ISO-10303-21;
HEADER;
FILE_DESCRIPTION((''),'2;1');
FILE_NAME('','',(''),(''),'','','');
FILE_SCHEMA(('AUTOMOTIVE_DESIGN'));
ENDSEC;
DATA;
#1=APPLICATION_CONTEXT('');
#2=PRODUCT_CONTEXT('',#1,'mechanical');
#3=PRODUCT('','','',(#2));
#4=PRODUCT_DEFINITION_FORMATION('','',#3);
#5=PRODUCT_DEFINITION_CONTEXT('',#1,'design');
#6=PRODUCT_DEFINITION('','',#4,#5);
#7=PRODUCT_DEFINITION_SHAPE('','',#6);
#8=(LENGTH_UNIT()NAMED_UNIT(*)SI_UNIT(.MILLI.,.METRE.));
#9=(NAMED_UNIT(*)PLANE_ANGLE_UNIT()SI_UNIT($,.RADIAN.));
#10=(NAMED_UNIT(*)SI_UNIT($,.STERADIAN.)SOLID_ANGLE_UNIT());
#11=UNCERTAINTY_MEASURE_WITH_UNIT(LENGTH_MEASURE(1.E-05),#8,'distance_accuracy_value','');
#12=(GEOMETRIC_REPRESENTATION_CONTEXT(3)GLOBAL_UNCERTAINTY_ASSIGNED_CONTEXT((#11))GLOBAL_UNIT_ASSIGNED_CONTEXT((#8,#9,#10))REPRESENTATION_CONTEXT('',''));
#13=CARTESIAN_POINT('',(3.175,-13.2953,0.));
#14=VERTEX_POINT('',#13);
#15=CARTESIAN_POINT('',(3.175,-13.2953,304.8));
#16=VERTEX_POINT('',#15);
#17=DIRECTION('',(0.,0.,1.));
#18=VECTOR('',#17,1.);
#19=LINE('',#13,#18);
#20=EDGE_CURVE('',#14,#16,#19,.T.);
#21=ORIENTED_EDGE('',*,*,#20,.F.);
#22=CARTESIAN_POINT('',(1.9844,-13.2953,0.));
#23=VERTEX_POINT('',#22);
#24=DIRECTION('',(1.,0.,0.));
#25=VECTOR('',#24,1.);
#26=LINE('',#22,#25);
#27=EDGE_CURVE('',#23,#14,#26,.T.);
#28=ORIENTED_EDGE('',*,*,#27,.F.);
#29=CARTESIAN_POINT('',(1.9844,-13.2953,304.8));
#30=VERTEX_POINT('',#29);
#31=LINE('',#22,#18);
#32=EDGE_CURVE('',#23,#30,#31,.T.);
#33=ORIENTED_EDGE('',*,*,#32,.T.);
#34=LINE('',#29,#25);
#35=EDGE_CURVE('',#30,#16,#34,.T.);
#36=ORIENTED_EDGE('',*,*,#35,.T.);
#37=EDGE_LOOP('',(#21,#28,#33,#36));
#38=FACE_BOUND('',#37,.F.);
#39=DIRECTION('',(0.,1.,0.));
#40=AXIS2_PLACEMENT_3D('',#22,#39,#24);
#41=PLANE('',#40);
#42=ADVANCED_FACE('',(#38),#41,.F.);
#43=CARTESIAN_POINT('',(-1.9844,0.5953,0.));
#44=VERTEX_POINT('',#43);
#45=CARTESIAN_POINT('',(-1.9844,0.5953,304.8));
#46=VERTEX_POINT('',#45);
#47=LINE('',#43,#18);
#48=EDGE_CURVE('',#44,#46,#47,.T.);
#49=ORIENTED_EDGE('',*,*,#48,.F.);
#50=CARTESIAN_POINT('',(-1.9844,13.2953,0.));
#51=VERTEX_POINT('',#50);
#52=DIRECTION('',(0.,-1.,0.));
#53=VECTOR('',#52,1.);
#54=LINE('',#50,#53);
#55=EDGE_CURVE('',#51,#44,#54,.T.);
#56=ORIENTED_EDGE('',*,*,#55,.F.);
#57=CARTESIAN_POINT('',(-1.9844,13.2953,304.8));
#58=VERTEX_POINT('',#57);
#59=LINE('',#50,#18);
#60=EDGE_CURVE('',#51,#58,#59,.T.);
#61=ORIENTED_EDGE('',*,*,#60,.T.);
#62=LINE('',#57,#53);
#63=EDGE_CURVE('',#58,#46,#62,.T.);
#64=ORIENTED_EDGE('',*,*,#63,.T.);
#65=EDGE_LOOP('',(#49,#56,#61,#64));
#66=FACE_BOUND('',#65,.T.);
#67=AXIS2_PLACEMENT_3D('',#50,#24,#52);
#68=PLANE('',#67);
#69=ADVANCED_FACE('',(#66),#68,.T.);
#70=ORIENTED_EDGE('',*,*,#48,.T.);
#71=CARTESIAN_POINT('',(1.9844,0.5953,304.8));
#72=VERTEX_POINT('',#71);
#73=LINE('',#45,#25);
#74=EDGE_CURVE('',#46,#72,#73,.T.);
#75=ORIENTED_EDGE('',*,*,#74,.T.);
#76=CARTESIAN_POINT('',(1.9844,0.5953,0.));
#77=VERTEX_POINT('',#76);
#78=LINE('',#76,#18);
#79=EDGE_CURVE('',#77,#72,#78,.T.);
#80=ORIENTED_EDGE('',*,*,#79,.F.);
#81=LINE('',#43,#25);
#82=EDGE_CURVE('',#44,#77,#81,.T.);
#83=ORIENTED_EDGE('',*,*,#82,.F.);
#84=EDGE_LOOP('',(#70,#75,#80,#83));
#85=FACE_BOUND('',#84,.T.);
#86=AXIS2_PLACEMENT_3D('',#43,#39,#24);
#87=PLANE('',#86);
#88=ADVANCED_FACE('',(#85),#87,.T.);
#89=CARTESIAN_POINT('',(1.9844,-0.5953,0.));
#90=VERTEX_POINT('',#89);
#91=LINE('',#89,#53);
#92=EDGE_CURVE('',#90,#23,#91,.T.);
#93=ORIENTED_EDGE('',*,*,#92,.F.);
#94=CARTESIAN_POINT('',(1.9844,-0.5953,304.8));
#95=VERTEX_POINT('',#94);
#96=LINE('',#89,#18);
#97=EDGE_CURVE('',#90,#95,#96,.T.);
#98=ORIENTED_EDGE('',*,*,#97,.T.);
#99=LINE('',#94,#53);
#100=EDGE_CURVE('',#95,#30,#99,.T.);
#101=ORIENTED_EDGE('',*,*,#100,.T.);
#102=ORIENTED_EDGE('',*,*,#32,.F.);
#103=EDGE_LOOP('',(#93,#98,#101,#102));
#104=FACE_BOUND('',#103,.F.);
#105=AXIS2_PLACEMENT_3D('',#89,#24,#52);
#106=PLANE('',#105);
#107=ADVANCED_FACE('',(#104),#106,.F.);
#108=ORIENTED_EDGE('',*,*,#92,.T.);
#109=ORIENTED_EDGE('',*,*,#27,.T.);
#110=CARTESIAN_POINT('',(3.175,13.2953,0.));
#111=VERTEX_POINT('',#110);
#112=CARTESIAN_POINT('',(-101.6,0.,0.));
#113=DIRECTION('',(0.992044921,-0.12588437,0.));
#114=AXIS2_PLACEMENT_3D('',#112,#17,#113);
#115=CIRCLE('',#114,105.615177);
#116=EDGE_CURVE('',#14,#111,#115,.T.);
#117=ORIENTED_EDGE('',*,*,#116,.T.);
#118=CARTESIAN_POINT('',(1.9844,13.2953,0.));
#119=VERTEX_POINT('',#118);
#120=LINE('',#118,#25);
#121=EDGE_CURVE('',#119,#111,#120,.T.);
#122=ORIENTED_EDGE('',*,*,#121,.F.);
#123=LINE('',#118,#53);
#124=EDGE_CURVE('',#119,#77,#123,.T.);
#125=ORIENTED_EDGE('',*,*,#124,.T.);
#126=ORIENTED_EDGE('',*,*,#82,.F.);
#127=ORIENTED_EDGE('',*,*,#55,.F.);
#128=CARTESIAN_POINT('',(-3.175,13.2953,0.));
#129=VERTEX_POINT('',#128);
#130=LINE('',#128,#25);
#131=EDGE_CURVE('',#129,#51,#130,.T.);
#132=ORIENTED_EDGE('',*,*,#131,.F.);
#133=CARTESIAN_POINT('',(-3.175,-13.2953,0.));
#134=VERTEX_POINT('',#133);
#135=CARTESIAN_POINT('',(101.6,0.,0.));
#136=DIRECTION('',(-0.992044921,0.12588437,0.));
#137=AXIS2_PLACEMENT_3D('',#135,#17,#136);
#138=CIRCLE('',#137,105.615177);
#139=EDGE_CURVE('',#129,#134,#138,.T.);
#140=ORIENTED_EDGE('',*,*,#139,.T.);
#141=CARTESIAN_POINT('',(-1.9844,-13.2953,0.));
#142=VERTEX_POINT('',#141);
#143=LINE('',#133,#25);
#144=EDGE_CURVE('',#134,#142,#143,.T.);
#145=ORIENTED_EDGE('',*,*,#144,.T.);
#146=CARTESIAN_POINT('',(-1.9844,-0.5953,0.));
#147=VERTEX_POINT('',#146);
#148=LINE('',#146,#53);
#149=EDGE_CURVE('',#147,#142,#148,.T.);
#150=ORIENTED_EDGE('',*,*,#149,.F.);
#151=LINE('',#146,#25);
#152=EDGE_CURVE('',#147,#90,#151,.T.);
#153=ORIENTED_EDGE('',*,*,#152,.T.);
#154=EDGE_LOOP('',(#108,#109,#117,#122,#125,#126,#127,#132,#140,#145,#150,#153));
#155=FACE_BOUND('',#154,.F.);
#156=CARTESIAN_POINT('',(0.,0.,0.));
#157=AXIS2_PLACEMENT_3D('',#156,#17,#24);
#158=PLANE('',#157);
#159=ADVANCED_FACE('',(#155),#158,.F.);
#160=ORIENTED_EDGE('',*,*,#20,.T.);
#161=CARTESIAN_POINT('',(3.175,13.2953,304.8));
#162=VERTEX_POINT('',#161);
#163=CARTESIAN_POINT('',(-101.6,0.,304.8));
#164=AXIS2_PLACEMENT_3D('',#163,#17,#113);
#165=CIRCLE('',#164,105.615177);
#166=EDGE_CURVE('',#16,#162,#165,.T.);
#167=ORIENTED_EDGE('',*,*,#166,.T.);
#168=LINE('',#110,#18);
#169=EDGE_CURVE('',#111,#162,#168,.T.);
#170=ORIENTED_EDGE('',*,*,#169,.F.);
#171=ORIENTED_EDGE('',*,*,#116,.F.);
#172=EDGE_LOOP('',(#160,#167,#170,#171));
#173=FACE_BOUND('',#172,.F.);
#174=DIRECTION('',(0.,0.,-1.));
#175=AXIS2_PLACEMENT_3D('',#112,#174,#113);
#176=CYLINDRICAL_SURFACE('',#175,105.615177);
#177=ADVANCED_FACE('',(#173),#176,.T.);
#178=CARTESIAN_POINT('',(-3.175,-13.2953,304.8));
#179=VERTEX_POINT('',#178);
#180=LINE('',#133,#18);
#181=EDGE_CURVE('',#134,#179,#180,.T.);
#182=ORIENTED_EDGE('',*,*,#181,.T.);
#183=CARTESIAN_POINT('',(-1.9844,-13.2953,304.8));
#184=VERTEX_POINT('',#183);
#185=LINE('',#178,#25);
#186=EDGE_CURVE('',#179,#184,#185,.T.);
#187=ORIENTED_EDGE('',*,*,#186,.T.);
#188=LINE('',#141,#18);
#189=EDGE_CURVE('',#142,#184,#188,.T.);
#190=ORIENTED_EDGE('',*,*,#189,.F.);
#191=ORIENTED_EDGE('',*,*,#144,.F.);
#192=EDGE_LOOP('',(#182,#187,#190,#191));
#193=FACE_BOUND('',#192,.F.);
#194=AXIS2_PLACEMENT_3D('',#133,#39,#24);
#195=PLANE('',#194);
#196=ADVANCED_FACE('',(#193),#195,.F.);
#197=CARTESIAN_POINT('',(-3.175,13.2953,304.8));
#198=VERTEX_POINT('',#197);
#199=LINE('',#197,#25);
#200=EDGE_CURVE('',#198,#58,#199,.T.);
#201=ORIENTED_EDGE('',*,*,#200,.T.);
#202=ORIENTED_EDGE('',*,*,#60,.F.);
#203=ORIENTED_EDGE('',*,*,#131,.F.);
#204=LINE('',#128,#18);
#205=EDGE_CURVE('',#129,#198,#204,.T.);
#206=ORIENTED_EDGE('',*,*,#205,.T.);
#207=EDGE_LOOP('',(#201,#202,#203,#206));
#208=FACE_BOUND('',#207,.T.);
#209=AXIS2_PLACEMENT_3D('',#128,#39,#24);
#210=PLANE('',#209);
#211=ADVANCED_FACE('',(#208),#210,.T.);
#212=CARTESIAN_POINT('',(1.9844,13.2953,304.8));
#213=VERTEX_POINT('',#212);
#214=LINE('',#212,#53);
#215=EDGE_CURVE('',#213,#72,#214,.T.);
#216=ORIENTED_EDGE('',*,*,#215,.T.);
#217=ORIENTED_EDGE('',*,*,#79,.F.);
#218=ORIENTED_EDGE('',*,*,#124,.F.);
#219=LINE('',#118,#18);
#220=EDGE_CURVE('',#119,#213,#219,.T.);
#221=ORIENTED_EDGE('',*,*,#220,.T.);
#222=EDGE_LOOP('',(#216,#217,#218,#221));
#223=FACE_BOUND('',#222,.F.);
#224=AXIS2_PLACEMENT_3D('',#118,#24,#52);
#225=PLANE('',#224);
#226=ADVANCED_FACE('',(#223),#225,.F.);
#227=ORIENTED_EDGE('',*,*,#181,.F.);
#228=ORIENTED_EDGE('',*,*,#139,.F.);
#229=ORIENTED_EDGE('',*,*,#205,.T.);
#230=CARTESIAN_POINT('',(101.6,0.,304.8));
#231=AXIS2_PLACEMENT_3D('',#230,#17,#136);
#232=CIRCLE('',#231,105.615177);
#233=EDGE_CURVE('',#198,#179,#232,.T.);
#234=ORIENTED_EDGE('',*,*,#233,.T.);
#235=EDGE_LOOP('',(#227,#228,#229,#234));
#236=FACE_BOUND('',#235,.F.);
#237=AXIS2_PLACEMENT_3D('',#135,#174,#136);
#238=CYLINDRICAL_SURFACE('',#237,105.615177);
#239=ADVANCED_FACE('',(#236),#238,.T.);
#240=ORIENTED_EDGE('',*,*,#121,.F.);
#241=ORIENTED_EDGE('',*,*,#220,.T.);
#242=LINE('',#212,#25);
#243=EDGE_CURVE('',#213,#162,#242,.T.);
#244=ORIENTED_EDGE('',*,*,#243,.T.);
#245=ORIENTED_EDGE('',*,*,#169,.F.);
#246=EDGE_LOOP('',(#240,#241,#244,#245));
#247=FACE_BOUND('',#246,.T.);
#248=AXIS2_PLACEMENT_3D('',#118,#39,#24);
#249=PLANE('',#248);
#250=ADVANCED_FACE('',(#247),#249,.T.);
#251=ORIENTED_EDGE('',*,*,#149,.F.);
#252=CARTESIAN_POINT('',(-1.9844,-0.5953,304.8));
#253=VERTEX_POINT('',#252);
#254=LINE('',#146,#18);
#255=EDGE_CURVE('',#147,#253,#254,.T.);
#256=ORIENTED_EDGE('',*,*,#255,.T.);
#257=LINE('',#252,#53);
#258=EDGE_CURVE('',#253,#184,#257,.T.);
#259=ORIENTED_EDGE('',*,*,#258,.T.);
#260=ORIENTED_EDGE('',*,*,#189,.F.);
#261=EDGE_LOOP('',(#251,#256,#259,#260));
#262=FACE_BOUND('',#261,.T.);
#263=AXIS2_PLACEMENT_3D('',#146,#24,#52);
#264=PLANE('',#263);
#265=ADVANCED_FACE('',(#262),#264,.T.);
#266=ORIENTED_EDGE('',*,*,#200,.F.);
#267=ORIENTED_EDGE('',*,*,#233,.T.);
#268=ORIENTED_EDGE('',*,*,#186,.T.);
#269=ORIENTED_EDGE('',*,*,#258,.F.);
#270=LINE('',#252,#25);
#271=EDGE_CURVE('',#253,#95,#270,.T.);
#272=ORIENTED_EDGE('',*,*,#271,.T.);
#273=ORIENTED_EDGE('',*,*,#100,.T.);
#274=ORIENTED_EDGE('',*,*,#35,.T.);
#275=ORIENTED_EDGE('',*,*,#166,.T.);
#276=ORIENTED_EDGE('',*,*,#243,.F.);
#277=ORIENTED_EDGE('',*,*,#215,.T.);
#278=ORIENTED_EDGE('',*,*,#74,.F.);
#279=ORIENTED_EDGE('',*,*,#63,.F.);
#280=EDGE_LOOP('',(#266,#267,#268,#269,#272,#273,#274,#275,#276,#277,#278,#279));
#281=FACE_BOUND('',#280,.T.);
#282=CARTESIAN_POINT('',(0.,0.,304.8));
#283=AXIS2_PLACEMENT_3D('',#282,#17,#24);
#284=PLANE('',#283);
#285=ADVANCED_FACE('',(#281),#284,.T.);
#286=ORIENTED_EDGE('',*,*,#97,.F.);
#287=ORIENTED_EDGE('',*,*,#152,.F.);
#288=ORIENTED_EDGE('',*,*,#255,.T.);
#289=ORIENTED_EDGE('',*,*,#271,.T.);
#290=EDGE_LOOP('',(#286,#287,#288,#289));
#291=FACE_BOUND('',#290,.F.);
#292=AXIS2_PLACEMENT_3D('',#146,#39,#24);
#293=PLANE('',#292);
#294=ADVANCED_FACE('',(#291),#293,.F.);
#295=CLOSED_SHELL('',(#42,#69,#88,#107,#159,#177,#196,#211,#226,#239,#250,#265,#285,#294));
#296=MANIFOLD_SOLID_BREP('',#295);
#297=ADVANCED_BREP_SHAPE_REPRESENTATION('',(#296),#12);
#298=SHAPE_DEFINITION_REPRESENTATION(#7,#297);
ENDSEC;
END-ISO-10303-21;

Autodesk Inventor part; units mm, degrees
ref_plane "YZ Plane" through (0, 0, 0) normal (1, 0, 0) x (0, 1, 0)
ref_plane "XZ Plane" through (0, 0, 0) normal (0, 1, 0) x (-1, 0, 0)
ref_plane "XY Plane" through (0, 0, 0) normal (0, 0, 1) x (1, 0, 0)
sketch "Sketch1" plane through (0, 0, 0) normal (0, 0, 1) x (1, 0, 0)
  arc A0 (-3.175, 13.2953) -> (-3.175, -13.2953) centre (101.6, 0) ccw
  arc A1 (3.175, -13.2953) -> (3.175, 13.2953) centre (-101.6, 0) ccw
  line L0 (-1.9844, 0.5953) -> (1.9844, 0.5953)
  line L1 (-1.9844, -0.5953) -> (1.9844, -0.5953)
  line L2 (1.9844, 13.2953) -> (1.9844, 0.5953)
  line L3 (1.9844, -0.5953) -> (1.9844, -13.2953)
  line L4 (-1.9844, 13.2953) -> (-1.9844, 0.5953)
  line L5 (-1.9844, -0.5953) -> (-1.9844, -13.2953)
  line L6 (-3.175, 13.2953) -> (-1.9844, 13.2953)
  line L7 (1.9844, 13.2953) -> (3.175, 13.2953)
  line L8 (-3.175, -13.2953) -> (-1.9844, -13.2953)
  line L9 (1.9844, -13.2953) -> (3.175, -13.2953)
  point P0 (0, 0)
  dimension "d4" = 1.9844
  dimension "d5" = 3.9688
  dimension "d6" = 0.5953
  dimension "d7" = 1.1906
  dimension "d8" = 13.2953
  dimension "d9" = 26.5906
  dimension "d10" = 101.6
  dimension "d12" = 1.1906
extrude "Extrusion1" add sketch "Sketch1" along normal blind 304.8
equation "\"d6\" = 0.5 * d7"
equation "\"d12\" = d7"
equation "\"d1\" = 2 * d0"
equation "\"d0\" = 13.295313"
properties part number "GE-12088-02"
